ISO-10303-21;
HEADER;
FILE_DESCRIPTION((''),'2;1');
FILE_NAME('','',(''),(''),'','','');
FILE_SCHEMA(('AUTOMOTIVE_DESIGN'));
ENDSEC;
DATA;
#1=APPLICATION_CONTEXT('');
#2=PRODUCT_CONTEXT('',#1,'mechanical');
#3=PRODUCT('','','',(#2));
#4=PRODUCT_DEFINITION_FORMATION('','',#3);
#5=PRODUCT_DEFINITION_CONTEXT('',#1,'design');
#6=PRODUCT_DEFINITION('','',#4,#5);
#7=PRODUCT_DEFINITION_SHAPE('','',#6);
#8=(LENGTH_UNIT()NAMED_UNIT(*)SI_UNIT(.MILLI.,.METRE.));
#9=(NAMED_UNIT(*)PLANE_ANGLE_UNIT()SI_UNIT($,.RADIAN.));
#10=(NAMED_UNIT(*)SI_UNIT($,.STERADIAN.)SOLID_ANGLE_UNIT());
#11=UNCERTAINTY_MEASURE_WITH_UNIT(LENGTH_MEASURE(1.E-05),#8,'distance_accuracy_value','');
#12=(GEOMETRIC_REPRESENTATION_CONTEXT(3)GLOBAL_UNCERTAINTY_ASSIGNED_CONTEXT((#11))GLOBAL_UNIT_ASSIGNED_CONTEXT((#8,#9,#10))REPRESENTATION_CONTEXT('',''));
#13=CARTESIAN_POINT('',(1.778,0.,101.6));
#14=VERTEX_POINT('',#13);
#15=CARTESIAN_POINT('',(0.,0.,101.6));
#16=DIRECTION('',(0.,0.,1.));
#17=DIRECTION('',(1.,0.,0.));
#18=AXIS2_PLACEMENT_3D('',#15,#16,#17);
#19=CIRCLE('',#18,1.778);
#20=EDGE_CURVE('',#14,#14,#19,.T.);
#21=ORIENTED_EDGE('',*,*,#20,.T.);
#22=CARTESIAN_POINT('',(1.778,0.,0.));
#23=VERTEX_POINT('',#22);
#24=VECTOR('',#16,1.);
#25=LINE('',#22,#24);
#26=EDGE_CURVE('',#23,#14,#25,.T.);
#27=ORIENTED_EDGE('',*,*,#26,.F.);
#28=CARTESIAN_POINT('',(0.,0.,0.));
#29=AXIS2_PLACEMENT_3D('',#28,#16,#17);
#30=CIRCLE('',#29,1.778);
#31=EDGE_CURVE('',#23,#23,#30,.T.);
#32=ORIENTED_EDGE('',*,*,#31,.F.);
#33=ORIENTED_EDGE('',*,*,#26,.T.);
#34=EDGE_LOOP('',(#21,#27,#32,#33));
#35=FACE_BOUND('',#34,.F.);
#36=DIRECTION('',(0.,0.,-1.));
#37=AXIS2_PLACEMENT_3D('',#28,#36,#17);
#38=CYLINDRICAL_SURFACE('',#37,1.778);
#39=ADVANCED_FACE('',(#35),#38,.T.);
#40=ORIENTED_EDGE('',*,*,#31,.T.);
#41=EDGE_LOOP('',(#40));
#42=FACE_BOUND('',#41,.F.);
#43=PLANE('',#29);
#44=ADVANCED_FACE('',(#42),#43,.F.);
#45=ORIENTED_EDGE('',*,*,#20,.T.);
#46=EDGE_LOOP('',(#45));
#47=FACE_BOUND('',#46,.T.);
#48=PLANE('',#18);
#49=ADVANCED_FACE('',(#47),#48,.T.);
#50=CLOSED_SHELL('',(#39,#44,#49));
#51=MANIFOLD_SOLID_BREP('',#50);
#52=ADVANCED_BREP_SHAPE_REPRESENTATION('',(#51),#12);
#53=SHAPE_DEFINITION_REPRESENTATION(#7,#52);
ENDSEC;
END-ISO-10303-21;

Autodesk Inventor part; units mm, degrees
ref_plane "YZ Plane" through (0, 0, 0) normal (1, 0, 0) x (0, 1, 0)
ref_plane "XZ Plane" through (0, 0, 0) normal (0, 1, 0) x (-1, 0, 0)
ref_plane "XY Plane" through (0, 0, 0) normal (0, 0, 1) x (1, 0, 0)
sketch "Sketch1" plane through (0, 0, 0) normal (0, 0, 1) x (1, 0, 0)
  circle A0 centre (0, 0) radius 1.778
  dimension "d0" = 3.556
extrude "Extrusion1" add sketch "Sketch1" along normal blind 101.6
properties part number "4 in x .140 in rod"
